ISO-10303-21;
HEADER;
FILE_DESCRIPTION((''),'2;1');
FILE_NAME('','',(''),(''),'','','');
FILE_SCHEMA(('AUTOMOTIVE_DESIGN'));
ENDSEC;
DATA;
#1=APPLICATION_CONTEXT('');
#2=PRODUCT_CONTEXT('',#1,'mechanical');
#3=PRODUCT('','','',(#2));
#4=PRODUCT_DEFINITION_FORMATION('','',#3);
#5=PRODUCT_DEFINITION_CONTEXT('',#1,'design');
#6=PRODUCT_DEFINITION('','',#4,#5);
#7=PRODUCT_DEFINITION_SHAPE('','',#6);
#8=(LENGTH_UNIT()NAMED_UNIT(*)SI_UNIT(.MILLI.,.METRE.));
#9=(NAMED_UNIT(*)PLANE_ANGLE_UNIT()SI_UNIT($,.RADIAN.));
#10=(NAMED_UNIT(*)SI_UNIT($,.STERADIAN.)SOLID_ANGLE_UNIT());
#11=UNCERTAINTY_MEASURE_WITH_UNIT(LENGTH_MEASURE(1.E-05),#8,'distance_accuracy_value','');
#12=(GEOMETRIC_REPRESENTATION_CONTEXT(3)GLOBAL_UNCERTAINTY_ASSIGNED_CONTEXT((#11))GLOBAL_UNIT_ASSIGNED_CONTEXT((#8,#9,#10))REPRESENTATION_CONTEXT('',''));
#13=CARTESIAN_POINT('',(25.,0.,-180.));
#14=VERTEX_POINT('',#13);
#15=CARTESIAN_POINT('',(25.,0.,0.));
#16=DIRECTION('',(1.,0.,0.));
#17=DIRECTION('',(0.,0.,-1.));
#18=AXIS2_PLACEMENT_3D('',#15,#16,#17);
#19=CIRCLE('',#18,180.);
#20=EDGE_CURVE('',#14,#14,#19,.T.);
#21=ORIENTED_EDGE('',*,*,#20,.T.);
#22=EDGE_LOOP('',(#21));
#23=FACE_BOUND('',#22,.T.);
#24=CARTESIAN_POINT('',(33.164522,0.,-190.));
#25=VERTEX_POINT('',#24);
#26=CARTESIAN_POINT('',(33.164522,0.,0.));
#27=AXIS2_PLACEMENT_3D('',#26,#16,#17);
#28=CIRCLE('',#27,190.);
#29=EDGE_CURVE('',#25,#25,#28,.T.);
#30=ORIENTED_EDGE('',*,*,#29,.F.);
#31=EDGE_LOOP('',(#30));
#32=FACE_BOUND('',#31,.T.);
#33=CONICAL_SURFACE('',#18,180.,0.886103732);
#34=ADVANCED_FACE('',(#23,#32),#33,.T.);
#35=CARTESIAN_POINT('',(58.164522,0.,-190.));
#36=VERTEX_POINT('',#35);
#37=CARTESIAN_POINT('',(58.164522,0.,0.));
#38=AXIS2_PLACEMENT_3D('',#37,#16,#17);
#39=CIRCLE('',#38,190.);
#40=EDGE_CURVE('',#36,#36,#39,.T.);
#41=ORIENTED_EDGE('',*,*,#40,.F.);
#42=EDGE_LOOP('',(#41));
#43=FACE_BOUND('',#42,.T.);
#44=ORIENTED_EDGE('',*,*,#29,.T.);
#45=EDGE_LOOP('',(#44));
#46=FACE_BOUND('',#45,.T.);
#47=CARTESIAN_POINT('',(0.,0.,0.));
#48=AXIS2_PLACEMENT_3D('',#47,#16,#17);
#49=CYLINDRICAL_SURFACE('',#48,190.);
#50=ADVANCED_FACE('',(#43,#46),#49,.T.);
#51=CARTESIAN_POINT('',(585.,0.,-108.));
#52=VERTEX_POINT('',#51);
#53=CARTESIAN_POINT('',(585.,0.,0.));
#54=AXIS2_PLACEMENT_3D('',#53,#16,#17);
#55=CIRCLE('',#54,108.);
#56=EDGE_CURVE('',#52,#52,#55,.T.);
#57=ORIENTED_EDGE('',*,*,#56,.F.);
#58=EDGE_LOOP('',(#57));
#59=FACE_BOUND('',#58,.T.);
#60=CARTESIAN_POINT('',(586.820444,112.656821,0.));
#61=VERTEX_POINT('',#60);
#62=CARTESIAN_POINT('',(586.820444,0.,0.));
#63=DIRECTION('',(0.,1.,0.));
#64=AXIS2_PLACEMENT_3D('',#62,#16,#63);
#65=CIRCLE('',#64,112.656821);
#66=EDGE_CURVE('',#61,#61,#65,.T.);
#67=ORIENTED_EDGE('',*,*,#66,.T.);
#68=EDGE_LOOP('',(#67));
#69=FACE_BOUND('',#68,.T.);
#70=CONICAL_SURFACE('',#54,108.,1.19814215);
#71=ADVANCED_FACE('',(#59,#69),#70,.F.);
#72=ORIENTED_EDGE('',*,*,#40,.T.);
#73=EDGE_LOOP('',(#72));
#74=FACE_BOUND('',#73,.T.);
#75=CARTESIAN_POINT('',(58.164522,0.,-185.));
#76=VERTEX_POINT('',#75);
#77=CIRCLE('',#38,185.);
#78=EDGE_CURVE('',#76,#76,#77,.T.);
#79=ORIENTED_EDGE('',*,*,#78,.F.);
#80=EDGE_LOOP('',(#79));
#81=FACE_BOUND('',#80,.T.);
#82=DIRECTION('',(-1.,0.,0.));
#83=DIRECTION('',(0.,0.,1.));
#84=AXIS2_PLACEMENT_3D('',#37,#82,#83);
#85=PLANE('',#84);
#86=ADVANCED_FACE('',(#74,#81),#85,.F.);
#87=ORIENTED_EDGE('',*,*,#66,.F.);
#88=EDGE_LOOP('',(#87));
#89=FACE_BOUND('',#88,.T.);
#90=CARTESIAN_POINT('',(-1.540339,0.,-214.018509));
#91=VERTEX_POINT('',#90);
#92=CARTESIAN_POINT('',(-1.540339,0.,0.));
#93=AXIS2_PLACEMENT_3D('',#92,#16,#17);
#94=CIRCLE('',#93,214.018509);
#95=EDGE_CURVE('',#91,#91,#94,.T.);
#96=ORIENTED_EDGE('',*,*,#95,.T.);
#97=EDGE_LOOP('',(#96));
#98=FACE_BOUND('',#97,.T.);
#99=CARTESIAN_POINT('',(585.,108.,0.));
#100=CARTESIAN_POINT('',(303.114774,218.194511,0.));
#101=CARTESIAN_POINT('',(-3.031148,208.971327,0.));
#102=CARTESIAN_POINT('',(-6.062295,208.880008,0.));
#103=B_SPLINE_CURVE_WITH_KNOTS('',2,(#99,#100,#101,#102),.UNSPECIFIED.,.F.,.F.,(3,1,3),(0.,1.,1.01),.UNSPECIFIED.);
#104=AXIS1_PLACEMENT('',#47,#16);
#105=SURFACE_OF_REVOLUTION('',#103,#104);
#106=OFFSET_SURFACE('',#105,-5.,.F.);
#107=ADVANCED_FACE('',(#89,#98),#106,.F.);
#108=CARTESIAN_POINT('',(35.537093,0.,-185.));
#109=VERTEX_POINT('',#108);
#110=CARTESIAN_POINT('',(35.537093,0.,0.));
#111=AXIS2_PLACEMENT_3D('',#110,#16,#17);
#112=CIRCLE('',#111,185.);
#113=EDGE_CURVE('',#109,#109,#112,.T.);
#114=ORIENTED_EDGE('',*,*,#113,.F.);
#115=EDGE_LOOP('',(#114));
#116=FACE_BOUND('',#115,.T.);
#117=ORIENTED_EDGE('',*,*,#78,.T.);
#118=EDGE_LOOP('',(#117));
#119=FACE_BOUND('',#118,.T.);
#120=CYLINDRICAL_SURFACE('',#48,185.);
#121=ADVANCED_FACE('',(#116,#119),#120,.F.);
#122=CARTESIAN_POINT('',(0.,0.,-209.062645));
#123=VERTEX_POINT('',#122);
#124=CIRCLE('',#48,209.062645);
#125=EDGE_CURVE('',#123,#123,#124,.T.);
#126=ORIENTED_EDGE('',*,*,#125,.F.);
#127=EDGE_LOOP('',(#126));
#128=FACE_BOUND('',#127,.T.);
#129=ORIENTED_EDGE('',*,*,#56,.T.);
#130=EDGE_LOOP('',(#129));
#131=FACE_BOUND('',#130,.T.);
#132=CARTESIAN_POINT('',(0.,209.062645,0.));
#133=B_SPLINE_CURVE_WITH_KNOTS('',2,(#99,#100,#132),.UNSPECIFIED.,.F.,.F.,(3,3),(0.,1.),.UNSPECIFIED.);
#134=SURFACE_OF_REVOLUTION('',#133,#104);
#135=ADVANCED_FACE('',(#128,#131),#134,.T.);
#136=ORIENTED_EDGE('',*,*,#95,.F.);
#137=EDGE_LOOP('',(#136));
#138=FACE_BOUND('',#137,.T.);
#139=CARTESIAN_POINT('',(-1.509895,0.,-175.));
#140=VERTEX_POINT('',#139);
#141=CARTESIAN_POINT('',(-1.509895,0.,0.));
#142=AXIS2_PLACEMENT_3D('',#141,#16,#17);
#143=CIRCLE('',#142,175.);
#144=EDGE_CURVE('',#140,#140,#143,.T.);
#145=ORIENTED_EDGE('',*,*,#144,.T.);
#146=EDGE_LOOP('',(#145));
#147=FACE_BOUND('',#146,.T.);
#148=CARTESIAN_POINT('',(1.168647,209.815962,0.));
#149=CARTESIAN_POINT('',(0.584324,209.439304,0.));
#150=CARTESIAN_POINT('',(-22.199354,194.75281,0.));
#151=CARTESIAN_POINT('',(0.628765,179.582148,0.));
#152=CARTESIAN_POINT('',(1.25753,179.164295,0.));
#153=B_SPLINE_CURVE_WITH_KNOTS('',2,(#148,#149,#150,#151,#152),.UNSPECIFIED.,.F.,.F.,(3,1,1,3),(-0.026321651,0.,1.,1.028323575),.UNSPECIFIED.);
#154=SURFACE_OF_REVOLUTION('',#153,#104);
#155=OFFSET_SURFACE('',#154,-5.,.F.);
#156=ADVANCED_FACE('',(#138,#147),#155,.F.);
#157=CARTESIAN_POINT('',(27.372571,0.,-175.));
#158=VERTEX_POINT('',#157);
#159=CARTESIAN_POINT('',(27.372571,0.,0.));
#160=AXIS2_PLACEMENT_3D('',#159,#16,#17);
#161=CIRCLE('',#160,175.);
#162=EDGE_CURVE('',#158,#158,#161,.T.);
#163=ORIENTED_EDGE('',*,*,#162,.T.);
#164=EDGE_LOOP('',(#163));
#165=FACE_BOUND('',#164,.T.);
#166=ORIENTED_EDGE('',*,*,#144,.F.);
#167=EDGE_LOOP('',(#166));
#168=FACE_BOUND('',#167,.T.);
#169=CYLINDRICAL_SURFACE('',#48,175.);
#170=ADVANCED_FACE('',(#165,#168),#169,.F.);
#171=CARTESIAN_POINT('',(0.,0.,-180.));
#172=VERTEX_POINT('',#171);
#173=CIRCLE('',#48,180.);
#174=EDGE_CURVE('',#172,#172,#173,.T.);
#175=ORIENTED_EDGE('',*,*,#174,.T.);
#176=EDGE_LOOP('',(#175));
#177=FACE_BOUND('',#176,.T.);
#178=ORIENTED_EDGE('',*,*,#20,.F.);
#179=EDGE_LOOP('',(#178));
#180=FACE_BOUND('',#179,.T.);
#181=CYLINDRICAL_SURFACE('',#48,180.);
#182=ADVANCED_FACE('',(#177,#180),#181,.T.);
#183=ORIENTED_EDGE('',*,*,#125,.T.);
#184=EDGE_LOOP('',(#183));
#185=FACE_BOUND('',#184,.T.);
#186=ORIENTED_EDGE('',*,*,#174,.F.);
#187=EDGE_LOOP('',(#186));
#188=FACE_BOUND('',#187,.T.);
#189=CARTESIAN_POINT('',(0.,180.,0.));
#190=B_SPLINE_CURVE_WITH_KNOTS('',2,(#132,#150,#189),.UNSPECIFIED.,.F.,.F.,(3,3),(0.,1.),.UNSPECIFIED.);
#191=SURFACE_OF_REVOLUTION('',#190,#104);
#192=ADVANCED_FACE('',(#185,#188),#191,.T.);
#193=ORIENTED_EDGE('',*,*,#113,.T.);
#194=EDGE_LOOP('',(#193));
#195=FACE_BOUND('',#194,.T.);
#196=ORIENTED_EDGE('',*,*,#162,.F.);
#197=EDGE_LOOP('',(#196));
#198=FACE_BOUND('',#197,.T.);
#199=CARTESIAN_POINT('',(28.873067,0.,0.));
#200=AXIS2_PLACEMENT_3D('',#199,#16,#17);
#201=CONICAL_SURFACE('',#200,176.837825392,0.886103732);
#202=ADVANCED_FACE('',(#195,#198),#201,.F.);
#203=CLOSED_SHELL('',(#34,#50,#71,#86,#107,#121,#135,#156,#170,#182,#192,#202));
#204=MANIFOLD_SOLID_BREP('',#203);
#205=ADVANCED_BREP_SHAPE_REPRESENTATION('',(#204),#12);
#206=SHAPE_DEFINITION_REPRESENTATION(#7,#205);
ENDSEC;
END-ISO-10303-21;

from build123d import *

# Parameters (mm, degrees)
THICKEN1_T1 = 5


with BuildPart() as body_1:
    # Surface-Revolve1: a surface, the sketch's curves turned about an axis
    with BuildLine(Plane.XY, mode=Mode.PRIVATE) as surface_revolve1_1_path:
        Line((58.164522356, 190), (33.164522356, 190))
        Line((33.164522356, 190), (25, 180))
        Line((25, 180), (0, 180))
        add(Edge.make_bspline(
            [(0, 180), (-22.199353902, 194.752810443), (0, 209.06264542)],
            knots=[0, 0, 0, 1, 1, 1], degree=2))
        add(Edge.make_bspline(
            [(0, 209.06264542), (303.114773615, 218.194510927), (585, 108)],
            knots=[0, 0, 0, 1, 1, 1], degree=2))
    surface_revolve1_1 = Shell.revolve(surface_revolve1_1_path.wire(), 360, Axis((0, 0, 0), (1, 0, 0)))
    add(Solid.thicken(surface_revolve1_1, THICKEN1_T1))


solid = body_1.part
